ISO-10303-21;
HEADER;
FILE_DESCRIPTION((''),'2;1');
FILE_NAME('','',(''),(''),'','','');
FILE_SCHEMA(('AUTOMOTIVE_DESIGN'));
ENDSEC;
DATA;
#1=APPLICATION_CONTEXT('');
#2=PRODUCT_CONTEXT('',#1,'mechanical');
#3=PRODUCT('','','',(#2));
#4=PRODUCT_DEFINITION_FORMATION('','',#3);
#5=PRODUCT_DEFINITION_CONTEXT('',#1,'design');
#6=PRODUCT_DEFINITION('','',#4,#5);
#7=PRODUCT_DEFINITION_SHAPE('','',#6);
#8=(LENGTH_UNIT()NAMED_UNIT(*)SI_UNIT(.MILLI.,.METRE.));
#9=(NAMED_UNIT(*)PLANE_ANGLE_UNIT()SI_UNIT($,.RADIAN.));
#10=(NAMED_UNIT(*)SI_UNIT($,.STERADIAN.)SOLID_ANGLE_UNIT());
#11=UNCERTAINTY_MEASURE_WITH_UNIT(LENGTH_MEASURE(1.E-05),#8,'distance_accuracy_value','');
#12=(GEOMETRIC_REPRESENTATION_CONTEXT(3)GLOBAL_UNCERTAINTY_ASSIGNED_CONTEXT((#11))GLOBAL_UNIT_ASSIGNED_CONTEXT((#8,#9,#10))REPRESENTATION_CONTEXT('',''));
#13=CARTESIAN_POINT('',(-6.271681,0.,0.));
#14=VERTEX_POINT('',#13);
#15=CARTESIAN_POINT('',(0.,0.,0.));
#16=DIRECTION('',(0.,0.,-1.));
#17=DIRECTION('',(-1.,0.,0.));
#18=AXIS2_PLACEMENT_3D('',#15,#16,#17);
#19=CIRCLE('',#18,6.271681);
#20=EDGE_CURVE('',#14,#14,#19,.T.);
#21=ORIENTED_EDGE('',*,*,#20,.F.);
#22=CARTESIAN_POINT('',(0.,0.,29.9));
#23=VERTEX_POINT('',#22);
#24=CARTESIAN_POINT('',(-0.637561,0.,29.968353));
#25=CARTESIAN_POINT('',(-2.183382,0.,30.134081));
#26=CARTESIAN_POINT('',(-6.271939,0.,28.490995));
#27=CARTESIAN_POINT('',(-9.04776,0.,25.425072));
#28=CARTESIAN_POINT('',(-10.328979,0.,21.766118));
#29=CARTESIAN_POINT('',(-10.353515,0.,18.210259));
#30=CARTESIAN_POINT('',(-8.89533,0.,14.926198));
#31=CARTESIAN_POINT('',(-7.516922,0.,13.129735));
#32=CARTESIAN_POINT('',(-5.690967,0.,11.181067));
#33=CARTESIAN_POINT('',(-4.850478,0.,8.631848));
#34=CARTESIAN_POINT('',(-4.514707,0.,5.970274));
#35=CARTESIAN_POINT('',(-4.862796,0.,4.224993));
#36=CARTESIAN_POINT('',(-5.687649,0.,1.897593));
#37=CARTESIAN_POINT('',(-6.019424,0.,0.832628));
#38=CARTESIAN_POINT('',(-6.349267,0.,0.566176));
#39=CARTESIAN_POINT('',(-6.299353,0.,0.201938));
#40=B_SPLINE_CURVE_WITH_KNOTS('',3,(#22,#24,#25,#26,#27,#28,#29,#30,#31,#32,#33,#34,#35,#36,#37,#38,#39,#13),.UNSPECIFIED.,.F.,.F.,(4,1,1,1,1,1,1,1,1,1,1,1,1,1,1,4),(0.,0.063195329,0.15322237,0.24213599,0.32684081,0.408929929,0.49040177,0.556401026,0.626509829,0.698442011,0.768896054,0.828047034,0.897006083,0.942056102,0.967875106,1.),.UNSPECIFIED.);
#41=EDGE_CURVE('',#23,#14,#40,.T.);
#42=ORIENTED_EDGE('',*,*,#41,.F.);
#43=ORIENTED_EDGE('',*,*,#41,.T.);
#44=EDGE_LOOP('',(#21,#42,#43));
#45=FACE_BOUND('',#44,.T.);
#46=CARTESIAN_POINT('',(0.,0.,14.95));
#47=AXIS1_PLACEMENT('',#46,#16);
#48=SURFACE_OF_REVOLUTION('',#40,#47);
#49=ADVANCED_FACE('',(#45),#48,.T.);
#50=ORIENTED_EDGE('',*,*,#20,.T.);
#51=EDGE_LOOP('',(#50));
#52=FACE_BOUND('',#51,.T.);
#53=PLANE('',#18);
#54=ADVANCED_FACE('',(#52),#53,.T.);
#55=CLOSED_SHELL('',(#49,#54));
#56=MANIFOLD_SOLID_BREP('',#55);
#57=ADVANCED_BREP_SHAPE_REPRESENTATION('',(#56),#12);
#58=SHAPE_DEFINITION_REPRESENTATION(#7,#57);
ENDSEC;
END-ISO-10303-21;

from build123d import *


with BuildPart() as f1:
    # F0 (on Front) → F1 (revolve)
    with BuildSketch(Plane.XZ):
        with BuildLine():
            add(Edge.make_bspline(
                [(0, 29.9), (-0.6375612975, 29.9683531504), (-2.1833820703, 30.1340810893), (-6.2719387275, 28.4909954594), (-9.0477603297, 25.4250717796), (-10.3289787506, 21.7661179357), (-10.3535152317, 18.210259405), (-8.8953299165, 14.9261980968), (-7.5169224672, 13.1297351392), (-5.6909671704, 11.1810673172), (-4.8504778277, 8.6318479867), (-4.5147074652, 5.9702735273), (-4.8627963992, 4.2249929355), (-5.6876492142, 1.8975927302), (-6.0194242276, 0.8326283911), (-6.3492670027, 0.566175651), (-6.2993534523, 0.2019382336), (-6.2716806934, 0)],
                knots=[0, 0, 0, 0, 0.0631953295, 0.1532223701, 0.2421359896, 0.3268408101, 0.4089299293, 0.4904017703, 0.5564010255, 0.626509829, 0.6984420114, 0.7688960541, 0.8280470345, 0.8970060826, 0.942056102, 0.9678751061, 1, 1, 1, 1], degree=3))
            Line((-6.2716806934, 0), (0, 0))
            Line((0, 0), (0, 29.9))
        make_face()
    revolve(axis=Axis((0, 0, 14.95), (0, 0, -1)))


solid = f1.part
